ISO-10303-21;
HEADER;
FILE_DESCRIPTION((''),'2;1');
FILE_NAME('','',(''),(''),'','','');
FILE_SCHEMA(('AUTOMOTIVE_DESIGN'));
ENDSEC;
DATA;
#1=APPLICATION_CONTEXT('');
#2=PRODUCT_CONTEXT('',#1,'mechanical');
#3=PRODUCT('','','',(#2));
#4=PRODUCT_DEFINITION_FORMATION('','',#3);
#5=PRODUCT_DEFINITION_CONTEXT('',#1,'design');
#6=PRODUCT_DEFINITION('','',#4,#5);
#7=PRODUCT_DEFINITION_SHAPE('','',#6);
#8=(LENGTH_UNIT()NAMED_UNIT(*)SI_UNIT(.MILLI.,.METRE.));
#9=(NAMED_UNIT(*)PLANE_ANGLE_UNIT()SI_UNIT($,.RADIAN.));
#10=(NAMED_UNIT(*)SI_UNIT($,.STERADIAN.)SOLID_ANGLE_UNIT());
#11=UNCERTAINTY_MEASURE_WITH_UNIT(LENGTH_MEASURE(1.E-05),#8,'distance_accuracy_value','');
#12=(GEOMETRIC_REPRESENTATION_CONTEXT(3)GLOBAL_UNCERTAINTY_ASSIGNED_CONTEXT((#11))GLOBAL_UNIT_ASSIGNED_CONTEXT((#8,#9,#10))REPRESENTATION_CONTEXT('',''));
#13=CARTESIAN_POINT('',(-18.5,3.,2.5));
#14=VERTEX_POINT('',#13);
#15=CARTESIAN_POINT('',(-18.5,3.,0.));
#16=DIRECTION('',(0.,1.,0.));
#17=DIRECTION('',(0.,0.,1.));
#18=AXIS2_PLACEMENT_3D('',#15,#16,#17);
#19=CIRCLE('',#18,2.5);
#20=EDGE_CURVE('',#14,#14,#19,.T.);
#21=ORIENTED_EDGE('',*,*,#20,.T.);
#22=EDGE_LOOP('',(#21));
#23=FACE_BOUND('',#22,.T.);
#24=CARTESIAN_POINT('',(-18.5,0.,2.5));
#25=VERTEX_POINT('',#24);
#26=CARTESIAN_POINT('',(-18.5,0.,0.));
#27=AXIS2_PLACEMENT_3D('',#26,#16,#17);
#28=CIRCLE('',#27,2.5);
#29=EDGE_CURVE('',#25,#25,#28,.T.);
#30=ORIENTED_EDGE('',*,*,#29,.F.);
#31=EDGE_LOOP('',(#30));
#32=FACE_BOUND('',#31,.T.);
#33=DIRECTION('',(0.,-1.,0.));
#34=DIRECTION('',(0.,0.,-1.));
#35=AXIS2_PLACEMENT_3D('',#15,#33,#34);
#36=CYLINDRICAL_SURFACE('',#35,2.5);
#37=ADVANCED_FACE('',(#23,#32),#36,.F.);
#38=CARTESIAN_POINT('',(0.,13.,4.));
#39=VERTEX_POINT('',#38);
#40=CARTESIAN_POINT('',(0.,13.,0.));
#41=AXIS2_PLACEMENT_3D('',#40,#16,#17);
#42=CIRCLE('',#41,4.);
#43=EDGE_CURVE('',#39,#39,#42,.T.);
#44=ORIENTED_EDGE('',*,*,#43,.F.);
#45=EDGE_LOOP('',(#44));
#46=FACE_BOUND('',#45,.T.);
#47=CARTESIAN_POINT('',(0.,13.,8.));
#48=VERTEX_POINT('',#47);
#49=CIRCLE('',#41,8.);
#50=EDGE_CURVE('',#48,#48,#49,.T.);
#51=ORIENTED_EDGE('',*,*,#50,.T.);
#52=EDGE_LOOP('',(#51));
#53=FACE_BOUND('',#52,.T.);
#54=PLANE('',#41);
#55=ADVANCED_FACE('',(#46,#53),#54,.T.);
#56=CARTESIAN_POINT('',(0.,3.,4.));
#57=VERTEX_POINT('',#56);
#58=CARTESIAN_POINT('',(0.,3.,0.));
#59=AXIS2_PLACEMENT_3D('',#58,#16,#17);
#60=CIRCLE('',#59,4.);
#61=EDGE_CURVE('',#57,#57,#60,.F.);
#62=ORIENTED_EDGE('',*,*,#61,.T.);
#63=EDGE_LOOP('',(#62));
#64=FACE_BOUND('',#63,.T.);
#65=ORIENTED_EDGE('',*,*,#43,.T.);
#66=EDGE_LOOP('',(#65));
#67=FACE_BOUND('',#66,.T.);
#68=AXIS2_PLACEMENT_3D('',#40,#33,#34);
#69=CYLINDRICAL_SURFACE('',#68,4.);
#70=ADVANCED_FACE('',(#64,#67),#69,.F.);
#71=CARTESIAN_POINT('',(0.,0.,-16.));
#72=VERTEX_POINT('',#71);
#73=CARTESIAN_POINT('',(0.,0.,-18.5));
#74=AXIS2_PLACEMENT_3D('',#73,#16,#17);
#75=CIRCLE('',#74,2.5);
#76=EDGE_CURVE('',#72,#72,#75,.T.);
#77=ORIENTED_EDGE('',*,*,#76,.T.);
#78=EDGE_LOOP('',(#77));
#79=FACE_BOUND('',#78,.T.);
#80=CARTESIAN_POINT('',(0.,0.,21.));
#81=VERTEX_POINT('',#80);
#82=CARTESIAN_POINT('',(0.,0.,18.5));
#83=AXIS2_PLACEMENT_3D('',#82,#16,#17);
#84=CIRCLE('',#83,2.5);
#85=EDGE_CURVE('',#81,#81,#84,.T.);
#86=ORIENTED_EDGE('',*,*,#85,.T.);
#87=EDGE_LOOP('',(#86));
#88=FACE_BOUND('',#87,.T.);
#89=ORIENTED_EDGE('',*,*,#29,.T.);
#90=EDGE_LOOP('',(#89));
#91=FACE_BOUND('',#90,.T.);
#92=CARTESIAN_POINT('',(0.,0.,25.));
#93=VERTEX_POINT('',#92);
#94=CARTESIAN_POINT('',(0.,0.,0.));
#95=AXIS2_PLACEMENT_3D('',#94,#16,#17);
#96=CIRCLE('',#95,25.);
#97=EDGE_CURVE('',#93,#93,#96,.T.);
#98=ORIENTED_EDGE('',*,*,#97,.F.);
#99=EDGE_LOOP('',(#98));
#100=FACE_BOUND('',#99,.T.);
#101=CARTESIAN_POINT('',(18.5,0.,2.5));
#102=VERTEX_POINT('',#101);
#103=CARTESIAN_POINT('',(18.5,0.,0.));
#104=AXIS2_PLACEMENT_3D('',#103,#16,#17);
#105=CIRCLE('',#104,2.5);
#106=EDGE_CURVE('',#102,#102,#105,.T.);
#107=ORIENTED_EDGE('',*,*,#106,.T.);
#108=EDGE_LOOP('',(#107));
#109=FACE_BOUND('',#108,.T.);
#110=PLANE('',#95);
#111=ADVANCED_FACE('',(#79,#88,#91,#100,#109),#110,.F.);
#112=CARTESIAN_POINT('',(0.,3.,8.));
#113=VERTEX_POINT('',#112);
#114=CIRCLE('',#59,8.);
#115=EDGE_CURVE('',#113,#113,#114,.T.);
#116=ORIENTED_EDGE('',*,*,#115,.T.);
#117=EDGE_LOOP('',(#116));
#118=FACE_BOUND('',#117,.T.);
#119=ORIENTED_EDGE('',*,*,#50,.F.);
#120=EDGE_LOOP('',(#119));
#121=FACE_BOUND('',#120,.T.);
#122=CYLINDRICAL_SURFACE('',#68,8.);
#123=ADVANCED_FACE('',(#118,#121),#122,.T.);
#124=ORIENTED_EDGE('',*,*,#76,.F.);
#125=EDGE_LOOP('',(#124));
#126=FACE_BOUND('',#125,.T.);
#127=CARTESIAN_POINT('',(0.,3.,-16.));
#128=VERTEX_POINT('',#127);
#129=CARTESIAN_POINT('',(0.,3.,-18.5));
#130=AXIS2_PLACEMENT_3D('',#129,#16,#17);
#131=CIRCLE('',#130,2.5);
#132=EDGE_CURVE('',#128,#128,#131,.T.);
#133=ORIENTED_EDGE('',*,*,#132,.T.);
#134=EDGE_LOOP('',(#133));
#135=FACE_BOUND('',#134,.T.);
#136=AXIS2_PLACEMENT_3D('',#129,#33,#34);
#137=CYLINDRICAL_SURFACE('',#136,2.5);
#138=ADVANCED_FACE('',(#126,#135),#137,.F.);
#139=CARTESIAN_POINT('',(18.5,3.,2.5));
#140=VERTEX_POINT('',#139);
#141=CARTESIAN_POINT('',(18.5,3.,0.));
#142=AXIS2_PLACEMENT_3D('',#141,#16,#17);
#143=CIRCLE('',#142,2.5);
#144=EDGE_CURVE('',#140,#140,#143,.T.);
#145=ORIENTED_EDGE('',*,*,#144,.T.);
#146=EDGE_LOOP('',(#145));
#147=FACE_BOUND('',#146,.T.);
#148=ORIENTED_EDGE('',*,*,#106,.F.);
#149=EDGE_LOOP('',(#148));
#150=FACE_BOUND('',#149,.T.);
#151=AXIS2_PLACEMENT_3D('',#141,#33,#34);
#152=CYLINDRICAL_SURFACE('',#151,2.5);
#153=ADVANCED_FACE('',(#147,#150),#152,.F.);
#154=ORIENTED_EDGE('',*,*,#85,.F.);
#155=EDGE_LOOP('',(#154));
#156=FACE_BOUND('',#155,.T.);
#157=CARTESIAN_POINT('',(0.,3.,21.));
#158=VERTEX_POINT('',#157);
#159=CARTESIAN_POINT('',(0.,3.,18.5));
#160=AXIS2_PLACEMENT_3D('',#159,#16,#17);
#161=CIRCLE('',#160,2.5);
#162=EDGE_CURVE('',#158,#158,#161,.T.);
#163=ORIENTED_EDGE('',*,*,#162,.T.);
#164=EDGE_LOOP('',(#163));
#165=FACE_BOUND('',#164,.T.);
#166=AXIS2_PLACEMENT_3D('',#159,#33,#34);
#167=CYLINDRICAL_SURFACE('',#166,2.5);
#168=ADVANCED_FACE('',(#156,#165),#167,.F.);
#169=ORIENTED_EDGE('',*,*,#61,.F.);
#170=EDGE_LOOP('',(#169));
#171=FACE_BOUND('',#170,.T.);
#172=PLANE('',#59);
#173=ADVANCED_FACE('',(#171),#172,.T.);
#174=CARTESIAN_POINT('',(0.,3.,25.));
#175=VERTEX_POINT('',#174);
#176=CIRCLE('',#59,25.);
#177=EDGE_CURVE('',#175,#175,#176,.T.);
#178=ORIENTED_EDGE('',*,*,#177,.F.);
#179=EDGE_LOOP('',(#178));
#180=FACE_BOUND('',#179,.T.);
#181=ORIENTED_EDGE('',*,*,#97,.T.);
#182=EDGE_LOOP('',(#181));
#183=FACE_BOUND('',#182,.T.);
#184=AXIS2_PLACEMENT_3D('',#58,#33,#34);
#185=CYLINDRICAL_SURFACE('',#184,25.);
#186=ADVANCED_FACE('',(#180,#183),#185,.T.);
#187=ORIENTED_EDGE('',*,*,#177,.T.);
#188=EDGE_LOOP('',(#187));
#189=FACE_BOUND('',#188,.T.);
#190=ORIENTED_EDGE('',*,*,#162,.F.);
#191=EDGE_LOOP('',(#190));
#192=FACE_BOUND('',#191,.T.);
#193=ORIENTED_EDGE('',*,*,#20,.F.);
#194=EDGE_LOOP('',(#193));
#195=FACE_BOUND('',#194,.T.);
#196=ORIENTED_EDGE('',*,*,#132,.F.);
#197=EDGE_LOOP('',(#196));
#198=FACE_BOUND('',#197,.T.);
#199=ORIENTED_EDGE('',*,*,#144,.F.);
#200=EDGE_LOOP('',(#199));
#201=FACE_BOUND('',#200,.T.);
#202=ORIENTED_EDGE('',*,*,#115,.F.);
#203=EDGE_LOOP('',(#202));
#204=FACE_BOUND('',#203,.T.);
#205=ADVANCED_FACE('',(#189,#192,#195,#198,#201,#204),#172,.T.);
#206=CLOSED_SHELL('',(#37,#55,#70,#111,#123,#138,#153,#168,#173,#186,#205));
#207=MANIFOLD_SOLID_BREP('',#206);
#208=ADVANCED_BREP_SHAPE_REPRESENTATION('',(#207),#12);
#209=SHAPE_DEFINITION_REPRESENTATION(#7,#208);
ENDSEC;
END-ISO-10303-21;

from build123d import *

# Parameters (mm, degrees)
SKETCH2_R           = 25
SKETCH2_R_2         = 2.5
BOSS_EXTRUDE1_DEPTH = 3
SKETCH3_R           = 8
SKETCH3_R_2         = 4
BOSS_EXTRUDE2_DEPTH = 10


with BuildPart() as part:
    # Sketch2 → Boss-Extrude1 (new body)
    with BuildSketch(Plane(origin=(0, 0, 0), x_dir=(1, 0, 0), z_dir=(0, 1, 0))):
        Circle(SKETCH2_R)
        with Locations((-18.5, 0)):
            Circle(SKETCH2_R_2, mode=Mode.SUBTRACT)
        with Locations((0, 18.5)):
            Circle(SKETCH2_R_2, mode=Mode.SUBTRACT)
        with Locations((18.5, 0)):
            Circle(SKETCH2_R_2, mode=Mode.SUBTRACT)
        with Locations((0, -18.5)):
            Circle(SKETCH2_R_2, mode=Mode.SUBTRACT)
    extrude(amount=BOSS_EXTRUDE1_DEPTH)

    # Sketch3 → Boss-Extrude2 (add)
    with BuildSketch(Plane(origin=(0, 3, 0), x_dir=(1, 0, 0), z_dir=(0, 1, 0))):
        Circle(SKETCH3_R)
        Circle(SKETCH3_R_2, mode=Mode.SUBTRACT)
    extrude(amount=BOSS_EXTRUDE2_DEPTH)


solid = part.part
